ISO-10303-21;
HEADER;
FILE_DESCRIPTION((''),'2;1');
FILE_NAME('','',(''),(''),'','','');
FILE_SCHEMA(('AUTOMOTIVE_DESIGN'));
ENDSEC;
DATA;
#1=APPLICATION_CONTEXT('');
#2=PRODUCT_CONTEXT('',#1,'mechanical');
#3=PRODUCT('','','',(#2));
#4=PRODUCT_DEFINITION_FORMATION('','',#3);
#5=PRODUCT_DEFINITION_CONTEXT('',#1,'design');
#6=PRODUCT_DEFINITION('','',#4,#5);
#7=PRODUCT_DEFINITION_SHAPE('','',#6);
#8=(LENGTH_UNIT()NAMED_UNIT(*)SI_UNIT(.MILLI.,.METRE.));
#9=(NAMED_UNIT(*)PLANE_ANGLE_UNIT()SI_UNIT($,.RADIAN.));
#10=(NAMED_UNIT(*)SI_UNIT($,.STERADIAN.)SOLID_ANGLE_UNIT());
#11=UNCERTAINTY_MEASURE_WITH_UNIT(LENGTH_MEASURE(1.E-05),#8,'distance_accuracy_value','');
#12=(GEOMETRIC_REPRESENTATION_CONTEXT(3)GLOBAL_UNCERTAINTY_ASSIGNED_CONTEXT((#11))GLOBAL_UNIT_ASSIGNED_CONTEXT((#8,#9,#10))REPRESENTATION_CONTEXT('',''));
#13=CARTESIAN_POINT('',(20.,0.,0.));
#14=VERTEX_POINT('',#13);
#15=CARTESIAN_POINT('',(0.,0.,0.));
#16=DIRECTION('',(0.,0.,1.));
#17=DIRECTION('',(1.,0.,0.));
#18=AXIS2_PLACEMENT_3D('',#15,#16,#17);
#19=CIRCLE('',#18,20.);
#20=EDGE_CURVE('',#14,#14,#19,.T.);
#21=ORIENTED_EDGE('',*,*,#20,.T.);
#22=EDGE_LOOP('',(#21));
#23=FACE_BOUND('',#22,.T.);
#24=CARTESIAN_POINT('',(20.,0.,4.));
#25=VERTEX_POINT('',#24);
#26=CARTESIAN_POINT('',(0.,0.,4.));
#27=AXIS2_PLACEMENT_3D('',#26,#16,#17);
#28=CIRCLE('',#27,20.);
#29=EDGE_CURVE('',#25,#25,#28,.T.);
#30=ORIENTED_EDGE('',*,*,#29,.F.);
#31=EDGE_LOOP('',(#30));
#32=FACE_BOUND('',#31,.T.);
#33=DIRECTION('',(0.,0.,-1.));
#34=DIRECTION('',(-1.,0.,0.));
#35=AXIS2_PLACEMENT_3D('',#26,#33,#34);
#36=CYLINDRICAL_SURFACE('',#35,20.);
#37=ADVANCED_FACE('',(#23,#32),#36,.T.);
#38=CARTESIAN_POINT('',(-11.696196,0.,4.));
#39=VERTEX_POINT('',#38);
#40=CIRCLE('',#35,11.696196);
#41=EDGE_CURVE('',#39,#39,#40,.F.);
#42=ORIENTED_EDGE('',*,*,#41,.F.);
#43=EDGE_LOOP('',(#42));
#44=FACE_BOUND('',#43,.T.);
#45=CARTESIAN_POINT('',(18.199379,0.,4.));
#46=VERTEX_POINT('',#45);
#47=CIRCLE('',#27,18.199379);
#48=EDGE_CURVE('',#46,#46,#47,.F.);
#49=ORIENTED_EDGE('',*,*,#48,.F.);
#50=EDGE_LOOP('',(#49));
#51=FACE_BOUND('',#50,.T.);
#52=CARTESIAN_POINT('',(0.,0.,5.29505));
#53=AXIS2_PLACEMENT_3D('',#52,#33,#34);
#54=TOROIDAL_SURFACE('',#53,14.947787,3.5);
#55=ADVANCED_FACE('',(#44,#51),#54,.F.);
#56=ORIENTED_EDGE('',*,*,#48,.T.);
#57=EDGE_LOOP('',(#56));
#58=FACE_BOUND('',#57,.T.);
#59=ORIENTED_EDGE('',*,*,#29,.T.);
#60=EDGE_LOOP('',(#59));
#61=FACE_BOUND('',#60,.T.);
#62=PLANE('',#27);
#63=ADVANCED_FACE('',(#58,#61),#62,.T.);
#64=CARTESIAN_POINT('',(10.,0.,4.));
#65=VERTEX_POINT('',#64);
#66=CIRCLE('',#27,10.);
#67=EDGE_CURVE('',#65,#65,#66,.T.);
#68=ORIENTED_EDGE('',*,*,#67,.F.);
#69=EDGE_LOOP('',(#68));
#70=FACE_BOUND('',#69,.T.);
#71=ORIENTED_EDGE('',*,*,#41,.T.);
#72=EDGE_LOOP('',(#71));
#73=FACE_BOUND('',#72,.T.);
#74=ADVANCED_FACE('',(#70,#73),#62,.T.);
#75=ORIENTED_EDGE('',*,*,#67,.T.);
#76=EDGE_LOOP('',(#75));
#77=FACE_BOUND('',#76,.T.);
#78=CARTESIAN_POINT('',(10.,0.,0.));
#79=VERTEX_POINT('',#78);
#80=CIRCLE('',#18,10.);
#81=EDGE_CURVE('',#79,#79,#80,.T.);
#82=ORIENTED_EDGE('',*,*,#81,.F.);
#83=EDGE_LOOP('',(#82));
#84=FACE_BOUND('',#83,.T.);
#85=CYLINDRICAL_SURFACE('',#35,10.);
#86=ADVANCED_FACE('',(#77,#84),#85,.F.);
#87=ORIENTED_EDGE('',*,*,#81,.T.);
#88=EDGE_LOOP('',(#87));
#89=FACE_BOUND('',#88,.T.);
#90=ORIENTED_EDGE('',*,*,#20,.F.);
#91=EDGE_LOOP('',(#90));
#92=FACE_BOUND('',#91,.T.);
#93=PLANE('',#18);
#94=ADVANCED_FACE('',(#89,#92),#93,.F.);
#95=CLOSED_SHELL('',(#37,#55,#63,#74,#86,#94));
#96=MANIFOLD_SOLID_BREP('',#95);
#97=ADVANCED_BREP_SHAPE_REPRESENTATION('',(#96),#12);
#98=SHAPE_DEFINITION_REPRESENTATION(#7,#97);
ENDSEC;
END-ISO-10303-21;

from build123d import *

# Parameters (mm, degrees)
SKETCH_1_R      = 20
SKETCH_1_R_2    = 10
EXTRUDE_1_DEPTH = 4
SKETCH_3_R      = 3.5


with BuildPart() as part:
    # Эскиз1 → Вытянуть1 (new body)
    with BuildSketch(Plane.XY):
        Circle(SKETCH_1_R)
        Circle(SKETCH_1_R_2, mode=Mode.SUBTRACT)
    extrude(amount=EXTRUDE_1_DEPTH)

    # Вырез-По траектории1: sweep along a path in Эскиз2
    with BuildLine(Plane.XY.offset(4)) as sweep_1_path:
        CenterArc((0, 0), 15, 0, 360)
    # Эскиз3 → Вырез-По траектории1 (sweep, cut)
    with BuildSketch(Plane(origin=(0, 0, 0), x_dir=(1, 0, 0), z_dir=(0, 1, 0))):
        with Locations((14.947787098, -5.295049555)):
            Circle(SKETCH_3_R)
    sweep(path=sweep_1_path.line, mode=Mode.SUBTRACT)


solid = part.part
